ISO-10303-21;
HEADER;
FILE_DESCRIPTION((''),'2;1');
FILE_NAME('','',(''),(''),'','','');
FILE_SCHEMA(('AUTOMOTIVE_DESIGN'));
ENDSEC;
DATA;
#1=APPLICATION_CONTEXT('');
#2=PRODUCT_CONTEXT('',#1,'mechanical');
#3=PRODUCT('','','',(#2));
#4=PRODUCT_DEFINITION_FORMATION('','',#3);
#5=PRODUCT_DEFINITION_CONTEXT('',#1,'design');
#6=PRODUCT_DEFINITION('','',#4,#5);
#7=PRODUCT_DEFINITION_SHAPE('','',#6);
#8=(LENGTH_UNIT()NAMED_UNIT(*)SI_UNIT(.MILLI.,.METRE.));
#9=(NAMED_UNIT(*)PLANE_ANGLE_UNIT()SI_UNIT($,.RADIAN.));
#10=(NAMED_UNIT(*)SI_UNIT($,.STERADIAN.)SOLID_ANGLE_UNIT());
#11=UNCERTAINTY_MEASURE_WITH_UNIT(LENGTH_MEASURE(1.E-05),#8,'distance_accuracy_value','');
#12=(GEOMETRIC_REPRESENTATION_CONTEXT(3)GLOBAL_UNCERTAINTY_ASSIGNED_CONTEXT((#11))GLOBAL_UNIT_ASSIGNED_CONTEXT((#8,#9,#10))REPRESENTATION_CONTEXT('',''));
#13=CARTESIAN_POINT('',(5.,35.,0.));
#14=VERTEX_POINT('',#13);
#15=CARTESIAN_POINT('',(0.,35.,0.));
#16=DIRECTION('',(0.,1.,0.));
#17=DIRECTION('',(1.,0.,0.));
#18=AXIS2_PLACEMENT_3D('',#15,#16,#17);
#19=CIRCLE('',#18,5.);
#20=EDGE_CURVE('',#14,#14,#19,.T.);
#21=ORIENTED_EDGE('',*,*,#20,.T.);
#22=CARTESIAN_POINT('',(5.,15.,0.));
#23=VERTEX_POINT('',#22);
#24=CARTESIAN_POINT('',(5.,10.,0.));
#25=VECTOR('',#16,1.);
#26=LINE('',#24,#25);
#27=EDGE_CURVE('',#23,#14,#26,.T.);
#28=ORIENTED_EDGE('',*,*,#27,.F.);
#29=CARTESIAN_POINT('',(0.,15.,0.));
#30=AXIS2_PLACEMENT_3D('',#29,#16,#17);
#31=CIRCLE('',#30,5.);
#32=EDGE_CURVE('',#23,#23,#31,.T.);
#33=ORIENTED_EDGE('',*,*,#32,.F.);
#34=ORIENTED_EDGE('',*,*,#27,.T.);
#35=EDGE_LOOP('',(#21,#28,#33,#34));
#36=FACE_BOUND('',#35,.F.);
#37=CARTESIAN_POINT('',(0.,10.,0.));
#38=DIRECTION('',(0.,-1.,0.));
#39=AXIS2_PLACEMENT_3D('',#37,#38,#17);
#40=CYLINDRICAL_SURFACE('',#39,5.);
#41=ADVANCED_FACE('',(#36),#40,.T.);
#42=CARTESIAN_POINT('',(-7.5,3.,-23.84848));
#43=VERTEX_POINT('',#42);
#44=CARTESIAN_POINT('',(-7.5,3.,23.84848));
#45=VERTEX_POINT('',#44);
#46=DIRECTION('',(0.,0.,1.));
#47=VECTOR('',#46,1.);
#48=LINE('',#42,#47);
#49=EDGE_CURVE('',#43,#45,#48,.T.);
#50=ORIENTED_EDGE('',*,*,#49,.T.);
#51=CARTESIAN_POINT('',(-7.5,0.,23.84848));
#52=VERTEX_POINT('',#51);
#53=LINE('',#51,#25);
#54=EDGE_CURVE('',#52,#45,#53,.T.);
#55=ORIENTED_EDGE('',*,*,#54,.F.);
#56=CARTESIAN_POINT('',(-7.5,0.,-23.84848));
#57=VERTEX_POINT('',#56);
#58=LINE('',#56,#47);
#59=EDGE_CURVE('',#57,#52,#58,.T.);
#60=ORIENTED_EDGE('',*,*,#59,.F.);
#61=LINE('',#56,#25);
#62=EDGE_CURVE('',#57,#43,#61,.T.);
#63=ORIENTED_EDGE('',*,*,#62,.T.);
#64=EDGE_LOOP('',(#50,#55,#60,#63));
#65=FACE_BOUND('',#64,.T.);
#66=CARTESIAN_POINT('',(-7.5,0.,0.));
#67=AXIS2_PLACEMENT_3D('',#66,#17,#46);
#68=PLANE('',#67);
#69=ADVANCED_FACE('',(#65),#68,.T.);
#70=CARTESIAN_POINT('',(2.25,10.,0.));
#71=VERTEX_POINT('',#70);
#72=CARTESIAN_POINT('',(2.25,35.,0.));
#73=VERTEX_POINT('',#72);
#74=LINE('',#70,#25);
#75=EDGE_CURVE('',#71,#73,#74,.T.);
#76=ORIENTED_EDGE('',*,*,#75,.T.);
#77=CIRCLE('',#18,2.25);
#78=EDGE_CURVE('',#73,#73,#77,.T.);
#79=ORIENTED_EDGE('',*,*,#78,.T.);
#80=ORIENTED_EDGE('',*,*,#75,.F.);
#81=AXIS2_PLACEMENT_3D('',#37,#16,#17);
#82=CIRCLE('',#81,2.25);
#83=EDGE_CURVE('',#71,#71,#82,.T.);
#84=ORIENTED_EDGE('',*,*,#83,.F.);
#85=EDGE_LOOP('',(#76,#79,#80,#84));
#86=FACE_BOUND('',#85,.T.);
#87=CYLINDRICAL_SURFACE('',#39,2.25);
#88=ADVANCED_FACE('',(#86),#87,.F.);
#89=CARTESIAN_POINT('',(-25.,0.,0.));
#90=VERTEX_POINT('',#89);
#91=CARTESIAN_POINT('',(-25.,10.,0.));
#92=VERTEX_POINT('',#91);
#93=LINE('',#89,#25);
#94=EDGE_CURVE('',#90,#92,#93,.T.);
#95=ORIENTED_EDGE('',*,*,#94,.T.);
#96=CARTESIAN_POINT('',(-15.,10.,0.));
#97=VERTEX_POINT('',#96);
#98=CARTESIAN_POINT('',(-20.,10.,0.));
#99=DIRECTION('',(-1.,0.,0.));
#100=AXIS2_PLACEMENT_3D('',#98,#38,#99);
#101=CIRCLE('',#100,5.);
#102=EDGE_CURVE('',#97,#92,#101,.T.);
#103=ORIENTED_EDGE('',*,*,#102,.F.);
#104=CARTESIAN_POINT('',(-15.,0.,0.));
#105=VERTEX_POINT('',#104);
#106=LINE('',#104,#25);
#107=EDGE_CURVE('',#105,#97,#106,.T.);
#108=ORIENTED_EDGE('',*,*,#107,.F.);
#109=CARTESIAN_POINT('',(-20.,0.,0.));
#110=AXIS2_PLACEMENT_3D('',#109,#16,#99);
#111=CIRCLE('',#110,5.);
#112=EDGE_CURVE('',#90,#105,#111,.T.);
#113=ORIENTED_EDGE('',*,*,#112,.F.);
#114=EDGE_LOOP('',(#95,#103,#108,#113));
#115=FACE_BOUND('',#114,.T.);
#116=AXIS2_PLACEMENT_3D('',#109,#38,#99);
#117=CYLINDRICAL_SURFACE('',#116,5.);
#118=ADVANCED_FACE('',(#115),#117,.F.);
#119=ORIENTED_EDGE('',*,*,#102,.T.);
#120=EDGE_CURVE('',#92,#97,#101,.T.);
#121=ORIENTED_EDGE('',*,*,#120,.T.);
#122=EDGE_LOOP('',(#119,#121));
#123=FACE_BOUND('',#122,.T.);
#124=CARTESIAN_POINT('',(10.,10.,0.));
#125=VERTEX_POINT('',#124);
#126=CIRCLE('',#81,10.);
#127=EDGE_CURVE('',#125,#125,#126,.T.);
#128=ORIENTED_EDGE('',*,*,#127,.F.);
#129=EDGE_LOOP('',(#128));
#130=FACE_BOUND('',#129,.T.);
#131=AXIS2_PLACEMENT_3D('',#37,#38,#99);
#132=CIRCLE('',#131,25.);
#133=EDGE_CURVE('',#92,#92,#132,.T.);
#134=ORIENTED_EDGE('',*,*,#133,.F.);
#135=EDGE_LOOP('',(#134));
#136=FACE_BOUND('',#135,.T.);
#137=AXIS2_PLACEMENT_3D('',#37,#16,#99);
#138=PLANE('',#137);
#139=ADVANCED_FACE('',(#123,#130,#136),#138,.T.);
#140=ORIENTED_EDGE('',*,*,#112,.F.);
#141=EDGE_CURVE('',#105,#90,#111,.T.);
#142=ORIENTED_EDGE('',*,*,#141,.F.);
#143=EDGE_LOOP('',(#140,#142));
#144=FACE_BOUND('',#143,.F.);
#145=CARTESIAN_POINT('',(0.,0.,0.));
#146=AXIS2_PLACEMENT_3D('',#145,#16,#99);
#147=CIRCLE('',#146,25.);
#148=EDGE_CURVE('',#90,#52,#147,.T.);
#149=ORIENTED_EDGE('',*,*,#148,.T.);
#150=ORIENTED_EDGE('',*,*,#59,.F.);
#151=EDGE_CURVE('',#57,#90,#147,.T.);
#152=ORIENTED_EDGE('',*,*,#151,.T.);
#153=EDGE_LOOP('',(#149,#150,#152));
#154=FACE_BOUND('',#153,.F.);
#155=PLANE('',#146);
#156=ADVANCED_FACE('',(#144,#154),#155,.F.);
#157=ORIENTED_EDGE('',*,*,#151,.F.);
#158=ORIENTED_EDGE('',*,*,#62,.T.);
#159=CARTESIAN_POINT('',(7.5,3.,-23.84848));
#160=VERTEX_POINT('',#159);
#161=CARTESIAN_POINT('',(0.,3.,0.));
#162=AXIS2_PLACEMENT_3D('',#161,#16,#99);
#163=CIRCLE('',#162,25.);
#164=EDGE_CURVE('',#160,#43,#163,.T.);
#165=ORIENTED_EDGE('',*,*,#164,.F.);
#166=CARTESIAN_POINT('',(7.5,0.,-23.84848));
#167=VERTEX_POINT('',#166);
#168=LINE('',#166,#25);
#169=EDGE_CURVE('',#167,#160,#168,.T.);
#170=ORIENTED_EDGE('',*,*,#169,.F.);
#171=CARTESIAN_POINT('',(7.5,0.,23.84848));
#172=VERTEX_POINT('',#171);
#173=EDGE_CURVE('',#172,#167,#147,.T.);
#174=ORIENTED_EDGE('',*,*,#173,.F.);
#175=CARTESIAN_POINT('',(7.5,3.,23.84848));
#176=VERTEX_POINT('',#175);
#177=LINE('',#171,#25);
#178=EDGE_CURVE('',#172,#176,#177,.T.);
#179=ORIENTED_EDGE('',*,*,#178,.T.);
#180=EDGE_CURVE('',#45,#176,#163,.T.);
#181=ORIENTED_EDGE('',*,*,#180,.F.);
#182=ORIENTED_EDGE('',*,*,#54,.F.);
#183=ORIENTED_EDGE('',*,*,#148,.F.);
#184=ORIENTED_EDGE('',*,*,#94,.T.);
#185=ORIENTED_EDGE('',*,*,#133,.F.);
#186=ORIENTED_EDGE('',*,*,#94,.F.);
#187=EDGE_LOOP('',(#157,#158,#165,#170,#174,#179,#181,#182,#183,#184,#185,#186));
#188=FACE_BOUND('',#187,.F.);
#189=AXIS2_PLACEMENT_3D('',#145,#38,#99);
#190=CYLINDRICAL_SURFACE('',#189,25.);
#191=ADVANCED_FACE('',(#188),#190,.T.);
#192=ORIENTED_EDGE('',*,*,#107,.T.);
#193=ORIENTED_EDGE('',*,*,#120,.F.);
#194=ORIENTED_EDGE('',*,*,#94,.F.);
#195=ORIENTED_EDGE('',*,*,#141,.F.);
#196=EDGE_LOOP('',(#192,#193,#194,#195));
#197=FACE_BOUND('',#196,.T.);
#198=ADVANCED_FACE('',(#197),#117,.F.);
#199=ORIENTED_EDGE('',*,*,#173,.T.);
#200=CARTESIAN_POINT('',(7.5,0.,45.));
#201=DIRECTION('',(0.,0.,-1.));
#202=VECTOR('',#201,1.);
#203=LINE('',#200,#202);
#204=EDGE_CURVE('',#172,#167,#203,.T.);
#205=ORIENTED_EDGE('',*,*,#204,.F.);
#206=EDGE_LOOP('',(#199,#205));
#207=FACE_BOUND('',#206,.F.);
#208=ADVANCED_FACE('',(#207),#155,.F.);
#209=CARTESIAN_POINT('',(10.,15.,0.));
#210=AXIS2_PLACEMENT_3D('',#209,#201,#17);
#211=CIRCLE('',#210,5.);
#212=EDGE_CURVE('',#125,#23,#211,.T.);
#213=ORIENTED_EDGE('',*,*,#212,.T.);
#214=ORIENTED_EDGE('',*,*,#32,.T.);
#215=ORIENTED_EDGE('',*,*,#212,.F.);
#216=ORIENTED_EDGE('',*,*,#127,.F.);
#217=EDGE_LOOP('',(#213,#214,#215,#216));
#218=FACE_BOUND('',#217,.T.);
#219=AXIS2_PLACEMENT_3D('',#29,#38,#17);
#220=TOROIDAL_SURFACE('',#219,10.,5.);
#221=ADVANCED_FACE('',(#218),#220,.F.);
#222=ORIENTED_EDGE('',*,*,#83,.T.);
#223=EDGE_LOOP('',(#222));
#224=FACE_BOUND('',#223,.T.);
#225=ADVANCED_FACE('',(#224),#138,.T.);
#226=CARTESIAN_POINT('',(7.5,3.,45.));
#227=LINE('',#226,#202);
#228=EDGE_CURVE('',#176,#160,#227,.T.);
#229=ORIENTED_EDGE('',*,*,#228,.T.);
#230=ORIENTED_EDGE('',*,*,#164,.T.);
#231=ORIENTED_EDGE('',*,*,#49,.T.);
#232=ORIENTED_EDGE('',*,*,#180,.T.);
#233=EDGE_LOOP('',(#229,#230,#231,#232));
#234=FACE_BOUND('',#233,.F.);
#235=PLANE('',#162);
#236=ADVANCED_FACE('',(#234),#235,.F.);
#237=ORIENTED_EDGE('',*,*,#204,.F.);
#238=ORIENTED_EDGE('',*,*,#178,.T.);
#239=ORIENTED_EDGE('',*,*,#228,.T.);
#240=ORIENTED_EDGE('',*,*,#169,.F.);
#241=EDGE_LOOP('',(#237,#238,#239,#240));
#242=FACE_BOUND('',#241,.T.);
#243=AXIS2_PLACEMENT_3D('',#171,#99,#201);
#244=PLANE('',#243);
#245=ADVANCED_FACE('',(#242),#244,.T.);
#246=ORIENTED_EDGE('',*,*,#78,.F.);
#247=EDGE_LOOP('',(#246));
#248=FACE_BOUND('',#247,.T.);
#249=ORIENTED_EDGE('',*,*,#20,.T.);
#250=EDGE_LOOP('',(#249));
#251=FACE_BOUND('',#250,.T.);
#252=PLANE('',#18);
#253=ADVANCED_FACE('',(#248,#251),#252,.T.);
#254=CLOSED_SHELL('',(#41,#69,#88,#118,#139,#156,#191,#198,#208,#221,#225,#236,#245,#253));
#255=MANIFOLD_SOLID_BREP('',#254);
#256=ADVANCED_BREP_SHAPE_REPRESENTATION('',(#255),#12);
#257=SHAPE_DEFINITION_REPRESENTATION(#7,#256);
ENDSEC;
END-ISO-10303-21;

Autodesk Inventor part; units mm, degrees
ref_plane "YZ Plane" through (0, 0, 0) normal (1, 0, 0) x (0, 1, 0)
ref_plane "XZ Plane" through (0, 0, 0) normal (0, 1, 0) x (-1, 0, 0)
ref_plane "XY Plane" through (0, 0, 0) normal (0, 0, 1) x (1, 0, 0)
sketch "Sketch1" plane through (0, 0, 0) normal (0, 1, 0) x (-1, 0, 0)
  circle A0 centre (0, 0) radius 25
  line L0 (0, 0) -> (20, 0)
  circle A1 centre (20, 0) radius 5
  line L1 (7.5, 45) -> (-7.5, 45)
  line L2 (-7.5, 45) -> (-7.5, -45)
  line L3 (-7.5, -45) -> (7.5, -45)
  line L4 (7.5, -45) -> (7.5, 45)
  line L5 (7.5, 45) -> (-7.5, -45) construction
  line L6 (-7.5, 45) -> (7.5, -45) construction
  point P0 (7.5, 23.8485)
  point P1 (-7.5, 23.8485)
  point P2 (-7.5, -23.8485)
  point P3 (7.5, -23.8485)
  dimension "d0" = 50
  dimension "d1" = 20
  dimension "d2" = 10
  dimension "d3" = 15
  dimension "d4" = 90
extrude "Extrusion1" add sketch "Sketch1" along normal blind 10 contours A1 L0 L4 A0 | A1 | A0 L4 L0 A1 | L4 A0 L2 | L2 A0
extrude "Extrusion2" cut sketch "Sketch1" along normal blind 25 contours A1
extrude "Extrusion3" cut sketch "Sketch1" along normal blind 3 contours L4 A0 L2
sketch "Sketch2" plane through (0, 10, 0) normal (0, 1, 0) x (1, 0, 0)
  circle A0 centre (0, 0) radius 5
  circle A1 centre (0, 0) radius 2.25
  dimension "d11" = 10
  dimension "d12" = 4.5
extrude "Extrusion4" add sketch "Sketch2" along normal blind 25
fillet "Fillet1" radius 5 1 edges at (-5, 10, 0)
properties part number "GUIA GIRATORIA"
